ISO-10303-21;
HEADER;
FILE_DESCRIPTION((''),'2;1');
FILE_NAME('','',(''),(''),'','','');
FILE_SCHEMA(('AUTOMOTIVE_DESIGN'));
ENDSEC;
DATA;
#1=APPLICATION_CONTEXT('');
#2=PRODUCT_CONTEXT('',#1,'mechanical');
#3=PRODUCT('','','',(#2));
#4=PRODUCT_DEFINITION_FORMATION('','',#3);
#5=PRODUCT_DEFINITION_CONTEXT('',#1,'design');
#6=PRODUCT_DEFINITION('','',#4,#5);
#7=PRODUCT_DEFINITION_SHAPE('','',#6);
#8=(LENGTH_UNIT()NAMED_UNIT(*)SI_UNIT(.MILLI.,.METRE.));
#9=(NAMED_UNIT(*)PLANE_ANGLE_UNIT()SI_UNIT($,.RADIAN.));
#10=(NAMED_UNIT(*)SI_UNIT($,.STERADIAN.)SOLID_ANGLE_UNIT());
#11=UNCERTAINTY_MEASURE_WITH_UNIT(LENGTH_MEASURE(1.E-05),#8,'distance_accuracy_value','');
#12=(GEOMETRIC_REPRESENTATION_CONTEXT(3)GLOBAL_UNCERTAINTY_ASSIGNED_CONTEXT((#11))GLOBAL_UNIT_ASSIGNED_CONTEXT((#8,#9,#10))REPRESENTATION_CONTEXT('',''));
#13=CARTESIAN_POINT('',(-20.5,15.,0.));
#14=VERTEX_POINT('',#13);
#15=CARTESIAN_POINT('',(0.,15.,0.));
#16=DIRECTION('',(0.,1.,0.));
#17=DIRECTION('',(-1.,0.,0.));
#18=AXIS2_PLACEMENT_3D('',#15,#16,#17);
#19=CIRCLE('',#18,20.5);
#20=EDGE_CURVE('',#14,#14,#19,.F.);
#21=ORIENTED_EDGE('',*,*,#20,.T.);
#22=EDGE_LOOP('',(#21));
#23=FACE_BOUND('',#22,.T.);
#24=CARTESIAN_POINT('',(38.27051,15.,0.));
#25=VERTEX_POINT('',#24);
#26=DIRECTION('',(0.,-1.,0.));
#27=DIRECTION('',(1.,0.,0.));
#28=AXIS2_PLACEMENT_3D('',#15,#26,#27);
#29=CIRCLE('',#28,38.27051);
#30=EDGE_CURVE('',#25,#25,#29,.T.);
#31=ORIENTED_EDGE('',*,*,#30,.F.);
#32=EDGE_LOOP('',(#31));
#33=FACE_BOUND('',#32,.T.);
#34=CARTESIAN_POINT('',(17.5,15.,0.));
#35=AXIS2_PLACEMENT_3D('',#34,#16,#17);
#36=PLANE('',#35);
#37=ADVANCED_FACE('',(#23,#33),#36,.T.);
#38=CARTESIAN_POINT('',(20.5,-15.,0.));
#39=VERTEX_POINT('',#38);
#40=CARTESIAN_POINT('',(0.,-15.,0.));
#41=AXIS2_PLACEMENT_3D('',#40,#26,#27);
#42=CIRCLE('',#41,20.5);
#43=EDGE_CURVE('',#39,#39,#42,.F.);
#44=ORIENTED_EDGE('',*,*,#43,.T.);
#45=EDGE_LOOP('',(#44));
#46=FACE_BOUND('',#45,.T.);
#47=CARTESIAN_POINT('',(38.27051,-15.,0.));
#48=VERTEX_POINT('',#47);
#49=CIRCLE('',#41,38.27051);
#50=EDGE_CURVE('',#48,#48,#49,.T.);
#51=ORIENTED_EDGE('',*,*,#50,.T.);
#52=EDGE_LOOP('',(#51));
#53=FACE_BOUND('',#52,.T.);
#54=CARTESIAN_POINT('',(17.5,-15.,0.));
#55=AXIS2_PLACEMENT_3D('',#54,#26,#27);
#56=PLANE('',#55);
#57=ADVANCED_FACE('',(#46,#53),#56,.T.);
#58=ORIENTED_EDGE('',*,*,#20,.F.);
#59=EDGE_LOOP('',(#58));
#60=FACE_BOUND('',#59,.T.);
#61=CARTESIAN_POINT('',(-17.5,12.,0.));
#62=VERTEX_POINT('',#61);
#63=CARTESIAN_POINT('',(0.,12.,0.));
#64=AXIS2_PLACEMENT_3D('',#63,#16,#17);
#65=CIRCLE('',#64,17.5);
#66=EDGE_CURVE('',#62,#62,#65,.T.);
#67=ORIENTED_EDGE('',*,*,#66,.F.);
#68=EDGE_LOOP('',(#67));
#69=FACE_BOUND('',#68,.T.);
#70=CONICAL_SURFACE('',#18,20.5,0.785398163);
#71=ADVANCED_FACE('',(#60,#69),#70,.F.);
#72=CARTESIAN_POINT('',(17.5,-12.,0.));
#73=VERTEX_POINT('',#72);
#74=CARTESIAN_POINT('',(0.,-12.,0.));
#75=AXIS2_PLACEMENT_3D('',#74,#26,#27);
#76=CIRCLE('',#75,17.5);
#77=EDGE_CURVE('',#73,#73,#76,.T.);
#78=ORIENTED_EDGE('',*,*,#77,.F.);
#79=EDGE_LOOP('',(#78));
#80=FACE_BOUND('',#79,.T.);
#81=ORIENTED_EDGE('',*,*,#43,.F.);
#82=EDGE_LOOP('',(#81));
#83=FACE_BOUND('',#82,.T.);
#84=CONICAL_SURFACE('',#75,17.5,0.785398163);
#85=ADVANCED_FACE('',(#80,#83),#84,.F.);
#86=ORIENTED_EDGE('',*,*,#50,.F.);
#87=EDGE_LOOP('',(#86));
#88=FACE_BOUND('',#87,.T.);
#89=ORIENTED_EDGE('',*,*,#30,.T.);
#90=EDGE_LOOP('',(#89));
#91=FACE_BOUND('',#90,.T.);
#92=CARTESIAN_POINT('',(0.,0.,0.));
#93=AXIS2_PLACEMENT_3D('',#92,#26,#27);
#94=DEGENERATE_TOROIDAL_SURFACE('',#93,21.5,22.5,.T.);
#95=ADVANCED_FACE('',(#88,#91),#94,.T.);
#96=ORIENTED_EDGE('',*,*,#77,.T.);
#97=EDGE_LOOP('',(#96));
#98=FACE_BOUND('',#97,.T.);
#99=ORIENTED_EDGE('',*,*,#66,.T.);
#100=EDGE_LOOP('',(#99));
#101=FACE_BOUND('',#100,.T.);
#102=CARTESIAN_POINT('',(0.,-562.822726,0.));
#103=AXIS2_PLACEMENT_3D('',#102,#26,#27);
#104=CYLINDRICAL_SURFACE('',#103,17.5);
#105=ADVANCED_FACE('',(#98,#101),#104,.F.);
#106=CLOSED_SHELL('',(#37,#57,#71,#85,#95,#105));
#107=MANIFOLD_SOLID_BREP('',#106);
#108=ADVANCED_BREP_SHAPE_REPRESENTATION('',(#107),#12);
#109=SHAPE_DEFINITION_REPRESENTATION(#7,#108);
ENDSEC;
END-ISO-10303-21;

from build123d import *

# Parameters (mm, degrees)
CHAMFER1_SIZE = 3


with BuildPart() as part:
    # Sketch1 → Revolve1 (revolve)
    with BuildSketch(Plane.XY):
        with BuildLine():
            Line((17.5, 15), (17.5, -15))
            Line((17.5, -15), (38.270509831, -15))
            ThreePointArc((38.270509831, -15), (44, 0), (38.270509831, 15))
            Line((38.270509831, 15), (17.5, 15))
        make_face()
    revolve(axis=Axis((0, -562.822725834, 0), (0, 1, 0)))

    # Chamfer1
    chamfer1_edges = [part.edges().sort_by_distance(p)[0] for p in [
        (-17.5, 15, 0),
        (-17.5, -15, 0),
    ]]
    chamfer(chamfer1_edges, length=CHAMFER1_SIZE)


solid = part.part
